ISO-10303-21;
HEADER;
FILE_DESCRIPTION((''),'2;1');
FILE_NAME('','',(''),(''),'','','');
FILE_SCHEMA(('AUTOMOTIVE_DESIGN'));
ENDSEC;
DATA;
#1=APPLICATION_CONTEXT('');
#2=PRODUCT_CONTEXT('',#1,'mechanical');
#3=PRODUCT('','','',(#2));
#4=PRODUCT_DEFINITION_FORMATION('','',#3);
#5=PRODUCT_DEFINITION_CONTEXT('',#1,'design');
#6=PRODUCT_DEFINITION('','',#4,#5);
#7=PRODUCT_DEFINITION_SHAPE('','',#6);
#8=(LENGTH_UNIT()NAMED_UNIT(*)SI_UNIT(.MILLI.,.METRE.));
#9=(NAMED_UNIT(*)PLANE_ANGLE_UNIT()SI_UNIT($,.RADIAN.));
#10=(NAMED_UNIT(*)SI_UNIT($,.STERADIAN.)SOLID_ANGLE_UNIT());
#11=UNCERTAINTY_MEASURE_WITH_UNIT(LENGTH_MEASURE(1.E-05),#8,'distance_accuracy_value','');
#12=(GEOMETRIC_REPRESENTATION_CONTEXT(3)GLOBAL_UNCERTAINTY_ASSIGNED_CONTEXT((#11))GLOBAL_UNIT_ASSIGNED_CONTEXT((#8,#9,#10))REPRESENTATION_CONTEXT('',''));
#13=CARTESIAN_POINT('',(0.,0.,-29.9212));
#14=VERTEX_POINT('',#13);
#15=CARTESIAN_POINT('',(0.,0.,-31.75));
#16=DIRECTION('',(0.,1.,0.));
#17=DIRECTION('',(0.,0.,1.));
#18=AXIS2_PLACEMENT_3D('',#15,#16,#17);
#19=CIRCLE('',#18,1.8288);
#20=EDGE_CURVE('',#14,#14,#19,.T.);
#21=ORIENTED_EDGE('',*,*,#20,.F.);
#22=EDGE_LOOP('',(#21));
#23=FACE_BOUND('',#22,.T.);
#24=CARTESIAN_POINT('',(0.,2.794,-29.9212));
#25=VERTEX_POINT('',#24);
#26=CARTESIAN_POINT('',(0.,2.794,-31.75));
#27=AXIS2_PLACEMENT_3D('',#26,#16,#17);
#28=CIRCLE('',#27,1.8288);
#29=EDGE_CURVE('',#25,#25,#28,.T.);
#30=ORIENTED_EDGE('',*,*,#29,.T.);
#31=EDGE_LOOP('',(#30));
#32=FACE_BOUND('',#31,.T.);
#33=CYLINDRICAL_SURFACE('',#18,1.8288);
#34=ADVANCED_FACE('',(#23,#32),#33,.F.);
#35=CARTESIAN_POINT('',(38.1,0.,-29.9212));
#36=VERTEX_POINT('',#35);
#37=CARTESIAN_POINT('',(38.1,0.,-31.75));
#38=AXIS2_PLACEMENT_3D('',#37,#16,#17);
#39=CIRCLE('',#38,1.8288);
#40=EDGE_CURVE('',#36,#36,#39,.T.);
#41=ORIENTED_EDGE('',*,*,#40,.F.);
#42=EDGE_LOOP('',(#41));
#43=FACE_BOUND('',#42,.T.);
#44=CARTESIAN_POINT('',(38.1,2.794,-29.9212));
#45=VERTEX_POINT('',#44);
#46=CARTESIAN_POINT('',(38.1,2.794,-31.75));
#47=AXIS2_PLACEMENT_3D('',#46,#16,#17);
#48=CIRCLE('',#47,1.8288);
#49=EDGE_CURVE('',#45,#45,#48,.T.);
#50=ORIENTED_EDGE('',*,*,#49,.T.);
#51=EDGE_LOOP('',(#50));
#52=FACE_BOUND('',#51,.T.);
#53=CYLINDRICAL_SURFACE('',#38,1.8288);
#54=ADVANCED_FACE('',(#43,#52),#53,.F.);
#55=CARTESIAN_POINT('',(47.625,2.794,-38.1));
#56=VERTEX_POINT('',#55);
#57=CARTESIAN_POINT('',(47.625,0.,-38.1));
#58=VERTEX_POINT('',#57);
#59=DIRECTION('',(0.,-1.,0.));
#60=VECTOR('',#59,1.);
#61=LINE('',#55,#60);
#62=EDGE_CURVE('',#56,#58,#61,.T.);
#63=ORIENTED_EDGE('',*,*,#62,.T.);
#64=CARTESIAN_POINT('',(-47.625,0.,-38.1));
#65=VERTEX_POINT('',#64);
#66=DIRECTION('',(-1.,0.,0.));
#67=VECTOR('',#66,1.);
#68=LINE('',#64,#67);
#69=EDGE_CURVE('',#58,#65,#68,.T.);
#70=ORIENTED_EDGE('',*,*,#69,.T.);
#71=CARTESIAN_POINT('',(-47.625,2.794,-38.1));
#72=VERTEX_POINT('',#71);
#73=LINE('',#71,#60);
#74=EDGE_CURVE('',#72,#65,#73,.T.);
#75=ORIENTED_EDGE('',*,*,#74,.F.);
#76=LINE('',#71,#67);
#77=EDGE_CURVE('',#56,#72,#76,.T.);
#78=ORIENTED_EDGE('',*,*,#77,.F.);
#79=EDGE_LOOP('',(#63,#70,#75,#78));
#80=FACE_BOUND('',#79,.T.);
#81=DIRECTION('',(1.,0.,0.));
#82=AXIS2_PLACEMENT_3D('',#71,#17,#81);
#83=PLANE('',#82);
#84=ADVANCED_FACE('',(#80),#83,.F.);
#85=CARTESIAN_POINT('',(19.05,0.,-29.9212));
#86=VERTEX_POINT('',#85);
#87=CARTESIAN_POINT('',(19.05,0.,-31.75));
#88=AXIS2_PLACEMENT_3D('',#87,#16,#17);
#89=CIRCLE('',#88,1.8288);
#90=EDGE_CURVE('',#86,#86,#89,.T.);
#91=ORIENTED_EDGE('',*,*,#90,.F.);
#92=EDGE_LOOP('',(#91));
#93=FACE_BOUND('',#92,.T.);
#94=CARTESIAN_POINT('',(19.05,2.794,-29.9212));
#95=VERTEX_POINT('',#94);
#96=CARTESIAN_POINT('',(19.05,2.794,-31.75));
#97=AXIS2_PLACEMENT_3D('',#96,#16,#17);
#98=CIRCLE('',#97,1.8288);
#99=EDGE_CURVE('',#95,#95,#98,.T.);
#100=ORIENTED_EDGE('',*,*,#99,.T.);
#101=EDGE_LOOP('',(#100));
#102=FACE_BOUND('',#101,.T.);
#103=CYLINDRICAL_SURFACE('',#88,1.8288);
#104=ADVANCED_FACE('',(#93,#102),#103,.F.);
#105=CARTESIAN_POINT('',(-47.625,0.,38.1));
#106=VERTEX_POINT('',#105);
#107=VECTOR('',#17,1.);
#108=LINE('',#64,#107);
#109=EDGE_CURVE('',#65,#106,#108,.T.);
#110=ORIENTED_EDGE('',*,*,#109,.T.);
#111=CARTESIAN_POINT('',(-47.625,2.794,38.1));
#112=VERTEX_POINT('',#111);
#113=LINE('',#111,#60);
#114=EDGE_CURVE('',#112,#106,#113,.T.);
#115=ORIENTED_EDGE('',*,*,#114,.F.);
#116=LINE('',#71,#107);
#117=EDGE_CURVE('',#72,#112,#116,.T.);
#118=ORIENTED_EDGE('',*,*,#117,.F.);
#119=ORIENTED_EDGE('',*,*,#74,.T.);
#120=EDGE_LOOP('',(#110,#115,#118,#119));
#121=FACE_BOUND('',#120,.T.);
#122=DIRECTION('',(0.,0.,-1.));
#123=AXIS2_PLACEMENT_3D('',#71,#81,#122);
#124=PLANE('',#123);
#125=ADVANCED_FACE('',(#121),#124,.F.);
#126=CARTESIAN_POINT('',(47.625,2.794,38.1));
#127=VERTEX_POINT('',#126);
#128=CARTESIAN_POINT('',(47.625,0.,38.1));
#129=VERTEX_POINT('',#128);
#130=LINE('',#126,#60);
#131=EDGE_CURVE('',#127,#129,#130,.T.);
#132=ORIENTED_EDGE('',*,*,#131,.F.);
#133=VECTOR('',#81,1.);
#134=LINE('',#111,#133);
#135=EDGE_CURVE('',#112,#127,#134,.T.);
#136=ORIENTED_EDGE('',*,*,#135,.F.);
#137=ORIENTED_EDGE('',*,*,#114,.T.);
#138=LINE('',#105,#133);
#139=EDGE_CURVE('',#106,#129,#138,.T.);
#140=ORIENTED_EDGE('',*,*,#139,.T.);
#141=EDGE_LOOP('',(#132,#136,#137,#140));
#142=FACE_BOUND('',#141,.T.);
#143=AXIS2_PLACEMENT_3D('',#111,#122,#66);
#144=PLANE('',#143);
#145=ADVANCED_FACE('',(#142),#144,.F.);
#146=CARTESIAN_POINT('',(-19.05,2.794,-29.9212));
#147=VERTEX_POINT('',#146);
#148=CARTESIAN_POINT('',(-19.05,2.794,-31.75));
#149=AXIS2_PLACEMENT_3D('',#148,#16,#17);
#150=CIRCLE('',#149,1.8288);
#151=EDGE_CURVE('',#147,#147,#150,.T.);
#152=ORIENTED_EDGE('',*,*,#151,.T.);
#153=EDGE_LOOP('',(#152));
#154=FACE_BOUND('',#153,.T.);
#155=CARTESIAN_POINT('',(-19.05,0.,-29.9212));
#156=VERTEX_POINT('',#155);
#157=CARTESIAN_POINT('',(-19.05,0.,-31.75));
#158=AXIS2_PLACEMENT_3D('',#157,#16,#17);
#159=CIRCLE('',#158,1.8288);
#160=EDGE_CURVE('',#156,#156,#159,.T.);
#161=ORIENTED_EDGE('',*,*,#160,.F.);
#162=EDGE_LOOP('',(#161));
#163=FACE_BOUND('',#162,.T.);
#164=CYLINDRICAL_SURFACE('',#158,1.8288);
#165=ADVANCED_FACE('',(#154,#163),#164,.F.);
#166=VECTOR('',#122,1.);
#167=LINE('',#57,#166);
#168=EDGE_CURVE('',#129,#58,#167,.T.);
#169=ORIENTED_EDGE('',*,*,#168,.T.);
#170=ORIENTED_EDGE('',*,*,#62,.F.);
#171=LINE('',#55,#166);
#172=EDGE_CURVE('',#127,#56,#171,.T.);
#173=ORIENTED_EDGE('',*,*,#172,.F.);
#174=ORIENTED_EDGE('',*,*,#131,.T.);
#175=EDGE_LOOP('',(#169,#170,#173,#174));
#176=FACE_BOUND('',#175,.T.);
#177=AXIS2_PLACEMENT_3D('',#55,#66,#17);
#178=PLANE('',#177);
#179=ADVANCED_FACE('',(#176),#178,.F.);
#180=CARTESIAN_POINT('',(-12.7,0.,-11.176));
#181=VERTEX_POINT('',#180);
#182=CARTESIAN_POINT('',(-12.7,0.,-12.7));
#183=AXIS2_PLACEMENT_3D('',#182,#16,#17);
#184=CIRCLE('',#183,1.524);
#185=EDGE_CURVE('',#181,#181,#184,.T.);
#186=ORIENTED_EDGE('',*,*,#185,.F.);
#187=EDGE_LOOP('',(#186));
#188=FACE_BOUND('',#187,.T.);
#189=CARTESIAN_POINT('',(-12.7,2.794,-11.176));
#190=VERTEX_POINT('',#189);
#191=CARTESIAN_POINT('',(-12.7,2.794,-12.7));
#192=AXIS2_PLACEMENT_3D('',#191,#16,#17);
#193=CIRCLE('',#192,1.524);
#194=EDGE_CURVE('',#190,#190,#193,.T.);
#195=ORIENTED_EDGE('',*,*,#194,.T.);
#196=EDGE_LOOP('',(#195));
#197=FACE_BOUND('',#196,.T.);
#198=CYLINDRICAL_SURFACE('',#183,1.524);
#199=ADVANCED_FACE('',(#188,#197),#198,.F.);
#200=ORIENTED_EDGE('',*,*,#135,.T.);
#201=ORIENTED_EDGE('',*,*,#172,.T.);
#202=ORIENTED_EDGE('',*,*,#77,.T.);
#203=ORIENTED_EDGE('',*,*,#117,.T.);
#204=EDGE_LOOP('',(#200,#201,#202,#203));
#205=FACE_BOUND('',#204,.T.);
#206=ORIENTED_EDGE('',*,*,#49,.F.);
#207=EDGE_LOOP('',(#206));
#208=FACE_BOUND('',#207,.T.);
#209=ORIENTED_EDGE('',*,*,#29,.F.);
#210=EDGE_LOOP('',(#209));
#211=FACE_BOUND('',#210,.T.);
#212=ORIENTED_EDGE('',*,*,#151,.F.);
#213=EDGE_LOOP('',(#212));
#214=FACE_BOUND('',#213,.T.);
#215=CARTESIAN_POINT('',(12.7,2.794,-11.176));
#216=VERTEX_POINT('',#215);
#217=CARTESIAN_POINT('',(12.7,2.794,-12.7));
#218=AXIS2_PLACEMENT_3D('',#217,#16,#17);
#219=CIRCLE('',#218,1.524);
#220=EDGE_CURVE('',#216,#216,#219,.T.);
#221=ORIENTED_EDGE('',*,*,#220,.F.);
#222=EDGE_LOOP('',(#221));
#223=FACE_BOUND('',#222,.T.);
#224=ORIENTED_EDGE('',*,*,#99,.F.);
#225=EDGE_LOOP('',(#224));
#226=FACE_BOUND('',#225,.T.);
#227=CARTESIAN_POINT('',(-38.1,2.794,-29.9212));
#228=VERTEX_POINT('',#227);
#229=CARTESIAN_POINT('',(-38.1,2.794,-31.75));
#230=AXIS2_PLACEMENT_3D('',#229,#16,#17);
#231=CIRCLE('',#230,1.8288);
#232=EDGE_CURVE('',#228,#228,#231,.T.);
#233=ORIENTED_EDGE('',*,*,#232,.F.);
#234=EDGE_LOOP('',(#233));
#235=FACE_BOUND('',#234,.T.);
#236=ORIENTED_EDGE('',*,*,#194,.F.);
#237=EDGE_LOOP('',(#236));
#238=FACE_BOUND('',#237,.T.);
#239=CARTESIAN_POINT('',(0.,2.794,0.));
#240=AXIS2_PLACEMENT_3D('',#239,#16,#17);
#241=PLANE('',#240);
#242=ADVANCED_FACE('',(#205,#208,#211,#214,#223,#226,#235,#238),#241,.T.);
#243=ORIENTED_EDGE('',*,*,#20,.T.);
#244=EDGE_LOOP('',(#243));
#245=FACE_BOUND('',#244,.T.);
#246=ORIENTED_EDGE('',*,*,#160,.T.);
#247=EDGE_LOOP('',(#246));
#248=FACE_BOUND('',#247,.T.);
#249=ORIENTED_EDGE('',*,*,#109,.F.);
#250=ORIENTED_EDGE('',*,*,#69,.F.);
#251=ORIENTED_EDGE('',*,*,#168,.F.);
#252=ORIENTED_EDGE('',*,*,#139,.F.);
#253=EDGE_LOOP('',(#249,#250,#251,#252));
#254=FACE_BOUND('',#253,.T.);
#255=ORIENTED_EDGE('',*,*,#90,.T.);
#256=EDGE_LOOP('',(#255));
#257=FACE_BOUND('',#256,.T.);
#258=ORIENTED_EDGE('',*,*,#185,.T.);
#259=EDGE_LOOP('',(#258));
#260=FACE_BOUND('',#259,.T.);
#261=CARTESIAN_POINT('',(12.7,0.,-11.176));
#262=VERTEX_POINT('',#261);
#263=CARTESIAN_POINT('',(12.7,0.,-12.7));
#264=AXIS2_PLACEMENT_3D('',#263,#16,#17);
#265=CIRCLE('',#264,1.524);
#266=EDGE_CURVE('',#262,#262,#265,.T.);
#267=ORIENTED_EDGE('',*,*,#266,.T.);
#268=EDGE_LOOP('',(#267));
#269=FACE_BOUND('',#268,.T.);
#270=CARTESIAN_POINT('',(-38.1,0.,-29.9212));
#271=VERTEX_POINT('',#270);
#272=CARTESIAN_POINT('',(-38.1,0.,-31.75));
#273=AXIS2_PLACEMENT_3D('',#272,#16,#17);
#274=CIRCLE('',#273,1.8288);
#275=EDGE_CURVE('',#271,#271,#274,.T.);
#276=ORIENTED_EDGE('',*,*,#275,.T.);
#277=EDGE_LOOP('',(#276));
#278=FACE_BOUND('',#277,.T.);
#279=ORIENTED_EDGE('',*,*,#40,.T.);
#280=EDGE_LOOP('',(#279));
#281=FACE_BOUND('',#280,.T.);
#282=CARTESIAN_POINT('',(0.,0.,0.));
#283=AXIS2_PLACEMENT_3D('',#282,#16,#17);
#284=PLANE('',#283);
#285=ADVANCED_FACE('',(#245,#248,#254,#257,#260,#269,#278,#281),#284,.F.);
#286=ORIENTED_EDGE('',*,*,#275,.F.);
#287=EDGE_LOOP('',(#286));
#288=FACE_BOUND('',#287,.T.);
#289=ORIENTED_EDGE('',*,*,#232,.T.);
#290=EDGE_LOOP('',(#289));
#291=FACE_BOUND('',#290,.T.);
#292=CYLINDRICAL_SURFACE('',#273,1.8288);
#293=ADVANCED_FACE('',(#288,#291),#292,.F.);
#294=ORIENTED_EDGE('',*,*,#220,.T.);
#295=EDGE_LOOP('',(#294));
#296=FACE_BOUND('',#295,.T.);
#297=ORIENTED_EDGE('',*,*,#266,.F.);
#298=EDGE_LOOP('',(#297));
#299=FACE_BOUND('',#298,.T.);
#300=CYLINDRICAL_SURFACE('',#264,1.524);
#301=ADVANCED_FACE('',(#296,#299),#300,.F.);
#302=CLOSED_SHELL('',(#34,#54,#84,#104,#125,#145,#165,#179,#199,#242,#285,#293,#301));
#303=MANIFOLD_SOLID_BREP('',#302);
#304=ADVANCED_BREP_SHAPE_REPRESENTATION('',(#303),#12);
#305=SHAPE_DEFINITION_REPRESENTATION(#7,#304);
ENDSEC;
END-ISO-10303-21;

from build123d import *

# Parameters (mm, degrees)
SKETCH1_W           = 95.25
SKETCH1_H           = 76.2
BOSS_EXTRUDE1_DEPTH = 2.794
SKETCH2_R           = 1.8288
CUT_EXTRUDE1_DEPTH  = 62.053722745
SKETCH3_R           = 1.524
CUT_EXTRUDE2_DEPTH  = 62.053722745


with BuildPart() as part:
    # Sketch1 → Boss-Extrude1 (new body)
    with BuildSketch(Plane(origin=(0, 0, 0), x_dir=(1, 0, 0), z_dir=(0, 1, 0))):
        Rectangle(SKETCH1_W, SKETCH1_H)
    extrude(amount=BOSS_EXTRUDE1_DEPTH)

    # Sketch2 → Cut-Extrude1 (cut, through all)
    with BuildSketch(Plane(origin=(0, 2.794, 0), x_dir=(1, 0, 0), z_dir=(0, 1, 0))):
        with Locations(Location((-38.1, 31.75, 0), (0, 0, 270))):
            Circle(SKETCH2_R)
        with Locations(Location((-19.05, 31.75, 0), (0, 0, 270))):
            Circle(SKETCH2_R)
        with Locations(Location((0, 31.75, 0), (0, 0, 270))):
            Circle(SKETCH2_R)
        with Locations(Location((19.05, 31.75, 0), (0, 0, 270))):
            Circle(SKETCH2_R)
        with Locations(Location((38.1, 31.75, 0), (0, 0, 270))):
            Circle(SKETCH2_R)
    extrude(amount=-CUT_EXTRUDE1_DEPTH, mode=Mode.SUBTRACT)

    # Sketch3 → Cut-Extrude2 (cut, through all)
    with BuildSketch(Plane(origin=(0, 2.794, 0), x_dir=(1, 0, 0), z_dir=(0, 1, 0))):
        with Locations(Location((-12.7, 12.7, 0), (0, 0, 270))):
            Circle(SKETCH3_R)
        with Locations(Location((12.7, 12.7, 0), (0, 0, 270))):
            Circle(SKETCH3_R)
    extrude(amount=-CUT_EXTRUDE2_DEPTH, mode=Mode.SUBTRACT)


solid = part.part
